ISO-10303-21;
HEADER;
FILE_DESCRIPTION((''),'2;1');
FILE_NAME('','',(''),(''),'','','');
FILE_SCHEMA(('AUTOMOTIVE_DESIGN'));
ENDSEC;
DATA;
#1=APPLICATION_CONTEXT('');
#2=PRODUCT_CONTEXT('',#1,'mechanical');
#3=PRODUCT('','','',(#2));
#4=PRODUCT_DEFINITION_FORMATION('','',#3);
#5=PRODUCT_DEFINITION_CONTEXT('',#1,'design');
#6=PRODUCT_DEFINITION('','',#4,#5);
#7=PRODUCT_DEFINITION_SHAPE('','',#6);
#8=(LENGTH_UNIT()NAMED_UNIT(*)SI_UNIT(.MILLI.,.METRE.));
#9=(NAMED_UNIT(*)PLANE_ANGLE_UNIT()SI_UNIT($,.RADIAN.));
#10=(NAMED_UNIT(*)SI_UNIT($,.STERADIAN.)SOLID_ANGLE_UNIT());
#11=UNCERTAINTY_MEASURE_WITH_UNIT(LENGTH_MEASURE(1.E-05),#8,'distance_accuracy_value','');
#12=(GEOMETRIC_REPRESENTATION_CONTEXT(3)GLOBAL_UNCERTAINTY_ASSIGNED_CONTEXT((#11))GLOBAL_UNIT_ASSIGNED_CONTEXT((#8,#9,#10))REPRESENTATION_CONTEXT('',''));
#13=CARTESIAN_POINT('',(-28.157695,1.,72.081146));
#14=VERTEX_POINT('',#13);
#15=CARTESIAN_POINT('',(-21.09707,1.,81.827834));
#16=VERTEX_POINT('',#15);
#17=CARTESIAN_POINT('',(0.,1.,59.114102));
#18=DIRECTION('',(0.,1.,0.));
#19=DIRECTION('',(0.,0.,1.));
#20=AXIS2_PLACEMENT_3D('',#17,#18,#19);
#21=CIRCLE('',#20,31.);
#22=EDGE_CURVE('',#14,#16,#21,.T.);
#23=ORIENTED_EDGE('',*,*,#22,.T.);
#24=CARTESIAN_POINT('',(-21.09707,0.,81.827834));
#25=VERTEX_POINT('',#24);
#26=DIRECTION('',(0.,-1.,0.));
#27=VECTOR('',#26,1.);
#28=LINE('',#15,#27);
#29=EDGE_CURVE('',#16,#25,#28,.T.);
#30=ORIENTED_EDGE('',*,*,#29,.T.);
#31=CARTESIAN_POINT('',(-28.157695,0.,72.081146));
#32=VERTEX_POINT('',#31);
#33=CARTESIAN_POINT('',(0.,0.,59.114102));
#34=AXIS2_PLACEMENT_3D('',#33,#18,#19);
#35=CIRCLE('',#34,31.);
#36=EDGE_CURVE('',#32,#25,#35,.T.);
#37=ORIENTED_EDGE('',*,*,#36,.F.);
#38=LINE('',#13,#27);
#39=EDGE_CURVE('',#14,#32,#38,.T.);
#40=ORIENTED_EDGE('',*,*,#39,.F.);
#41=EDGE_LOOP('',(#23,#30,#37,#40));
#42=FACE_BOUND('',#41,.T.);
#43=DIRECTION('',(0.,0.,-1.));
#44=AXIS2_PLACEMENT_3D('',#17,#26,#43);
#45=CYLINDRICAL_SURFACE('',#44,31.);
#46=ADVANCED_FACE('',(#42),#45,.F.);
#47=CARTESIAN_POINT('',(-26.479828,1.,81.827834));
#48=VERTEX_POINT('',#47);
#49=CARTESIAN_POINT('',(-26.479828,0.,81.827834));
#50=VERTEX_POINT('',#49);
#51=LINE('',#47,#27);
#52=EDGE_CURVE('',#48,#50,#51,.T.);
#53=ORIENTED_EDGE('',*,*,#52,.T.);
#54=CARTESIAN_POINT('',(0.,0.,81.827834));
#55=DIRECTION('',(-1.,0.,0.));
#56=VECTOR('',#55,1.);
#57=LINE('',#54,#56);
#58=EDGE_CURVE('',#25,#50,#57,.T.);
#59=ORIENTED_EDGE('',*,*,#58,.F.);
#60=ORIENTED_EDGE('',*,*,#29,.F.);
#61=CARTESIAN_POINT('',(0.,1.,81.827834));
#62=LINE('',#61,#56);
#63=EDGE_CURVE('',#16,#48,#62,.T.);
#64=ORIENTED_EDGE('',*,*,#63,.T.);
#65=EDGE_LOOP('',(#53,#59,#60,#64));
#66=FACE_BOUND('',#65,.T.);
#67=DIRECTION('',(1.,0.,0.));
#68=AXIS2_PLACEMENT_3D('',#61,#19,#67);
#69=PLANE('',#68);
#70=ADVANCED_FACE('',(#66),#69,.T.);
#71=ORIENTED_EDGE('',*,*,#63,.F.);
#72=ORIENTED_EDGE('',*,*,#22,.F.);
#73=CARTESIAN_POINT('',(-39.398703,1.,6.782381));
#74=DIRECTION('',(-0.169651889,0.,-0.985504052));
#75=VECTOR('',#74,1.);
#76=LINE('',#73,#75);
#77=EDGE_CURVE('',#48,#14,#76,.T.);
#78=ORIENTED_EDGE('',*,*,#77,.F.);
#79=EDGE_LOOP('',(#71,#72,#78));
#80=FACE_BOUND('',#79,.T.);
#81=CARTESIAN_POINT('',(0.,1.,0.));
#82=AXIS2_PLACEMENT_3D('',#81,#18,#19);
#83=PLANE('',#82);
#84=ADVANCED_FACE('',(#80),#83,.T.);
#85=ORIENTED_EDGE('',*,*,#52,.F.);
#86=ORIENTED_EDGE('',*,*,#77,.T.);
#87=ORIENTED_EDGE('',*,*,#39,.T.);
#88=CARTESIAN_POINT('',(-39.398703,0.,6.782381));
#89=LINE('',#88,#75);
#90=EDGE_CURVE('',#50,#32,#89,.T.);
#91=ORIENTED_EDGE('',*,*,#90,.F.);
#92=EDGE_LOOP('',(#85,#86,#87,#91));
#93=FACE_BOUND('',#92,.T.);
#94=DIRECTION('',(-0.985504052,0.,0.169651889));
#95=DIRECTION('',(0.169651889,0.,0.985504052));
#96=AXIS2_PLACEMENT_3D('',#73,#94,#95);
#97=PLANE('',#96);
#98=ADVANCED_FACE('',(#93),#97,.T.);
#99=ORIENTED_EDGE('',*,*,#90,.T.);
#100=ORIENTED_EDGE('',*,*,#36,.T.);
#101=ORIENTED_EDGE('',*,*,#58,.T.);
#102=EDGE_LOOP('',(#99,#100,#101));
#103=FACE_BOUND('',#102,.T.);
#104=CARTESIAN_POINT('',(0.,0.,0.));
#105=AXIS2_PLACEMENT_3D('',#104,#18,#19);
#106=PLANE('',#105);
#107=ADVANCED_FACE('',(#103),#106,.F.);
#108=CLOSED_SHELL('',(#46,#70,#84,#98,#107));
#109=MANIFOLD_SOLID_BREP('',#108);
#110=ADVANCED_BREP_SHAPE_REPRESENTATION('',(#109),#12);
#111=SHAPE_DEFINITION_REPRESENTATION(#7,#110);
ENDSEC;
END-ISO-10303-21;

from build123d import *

# Parameters (mm, degrees)
EXTRUDE_1_DEPTH = 1


with BuildPart() as part:
    # 草图2 → 凸台-拉伸1 (new body)
    with BuildSketch(Plane(origin=(0, 0, 0), x_dir=(1, 0, 0), z_dir=(0, 1, 0))):
        with BuildLine():
            ThreePointArc((-28.157694818, -72.081145956), (-25.10492888, -77.300430792), (-21.097070242, -81.827834375))
            Line((-21.097070242, -81.827834375), (-26.479828457, -81.827834375))
            Line((-26.479828457, -81.827834375), (-28.157694818, -72.081145956))
        make_face()
    extrude(amount=EXTRUDE_1_DEPTH)


solid = part.part
